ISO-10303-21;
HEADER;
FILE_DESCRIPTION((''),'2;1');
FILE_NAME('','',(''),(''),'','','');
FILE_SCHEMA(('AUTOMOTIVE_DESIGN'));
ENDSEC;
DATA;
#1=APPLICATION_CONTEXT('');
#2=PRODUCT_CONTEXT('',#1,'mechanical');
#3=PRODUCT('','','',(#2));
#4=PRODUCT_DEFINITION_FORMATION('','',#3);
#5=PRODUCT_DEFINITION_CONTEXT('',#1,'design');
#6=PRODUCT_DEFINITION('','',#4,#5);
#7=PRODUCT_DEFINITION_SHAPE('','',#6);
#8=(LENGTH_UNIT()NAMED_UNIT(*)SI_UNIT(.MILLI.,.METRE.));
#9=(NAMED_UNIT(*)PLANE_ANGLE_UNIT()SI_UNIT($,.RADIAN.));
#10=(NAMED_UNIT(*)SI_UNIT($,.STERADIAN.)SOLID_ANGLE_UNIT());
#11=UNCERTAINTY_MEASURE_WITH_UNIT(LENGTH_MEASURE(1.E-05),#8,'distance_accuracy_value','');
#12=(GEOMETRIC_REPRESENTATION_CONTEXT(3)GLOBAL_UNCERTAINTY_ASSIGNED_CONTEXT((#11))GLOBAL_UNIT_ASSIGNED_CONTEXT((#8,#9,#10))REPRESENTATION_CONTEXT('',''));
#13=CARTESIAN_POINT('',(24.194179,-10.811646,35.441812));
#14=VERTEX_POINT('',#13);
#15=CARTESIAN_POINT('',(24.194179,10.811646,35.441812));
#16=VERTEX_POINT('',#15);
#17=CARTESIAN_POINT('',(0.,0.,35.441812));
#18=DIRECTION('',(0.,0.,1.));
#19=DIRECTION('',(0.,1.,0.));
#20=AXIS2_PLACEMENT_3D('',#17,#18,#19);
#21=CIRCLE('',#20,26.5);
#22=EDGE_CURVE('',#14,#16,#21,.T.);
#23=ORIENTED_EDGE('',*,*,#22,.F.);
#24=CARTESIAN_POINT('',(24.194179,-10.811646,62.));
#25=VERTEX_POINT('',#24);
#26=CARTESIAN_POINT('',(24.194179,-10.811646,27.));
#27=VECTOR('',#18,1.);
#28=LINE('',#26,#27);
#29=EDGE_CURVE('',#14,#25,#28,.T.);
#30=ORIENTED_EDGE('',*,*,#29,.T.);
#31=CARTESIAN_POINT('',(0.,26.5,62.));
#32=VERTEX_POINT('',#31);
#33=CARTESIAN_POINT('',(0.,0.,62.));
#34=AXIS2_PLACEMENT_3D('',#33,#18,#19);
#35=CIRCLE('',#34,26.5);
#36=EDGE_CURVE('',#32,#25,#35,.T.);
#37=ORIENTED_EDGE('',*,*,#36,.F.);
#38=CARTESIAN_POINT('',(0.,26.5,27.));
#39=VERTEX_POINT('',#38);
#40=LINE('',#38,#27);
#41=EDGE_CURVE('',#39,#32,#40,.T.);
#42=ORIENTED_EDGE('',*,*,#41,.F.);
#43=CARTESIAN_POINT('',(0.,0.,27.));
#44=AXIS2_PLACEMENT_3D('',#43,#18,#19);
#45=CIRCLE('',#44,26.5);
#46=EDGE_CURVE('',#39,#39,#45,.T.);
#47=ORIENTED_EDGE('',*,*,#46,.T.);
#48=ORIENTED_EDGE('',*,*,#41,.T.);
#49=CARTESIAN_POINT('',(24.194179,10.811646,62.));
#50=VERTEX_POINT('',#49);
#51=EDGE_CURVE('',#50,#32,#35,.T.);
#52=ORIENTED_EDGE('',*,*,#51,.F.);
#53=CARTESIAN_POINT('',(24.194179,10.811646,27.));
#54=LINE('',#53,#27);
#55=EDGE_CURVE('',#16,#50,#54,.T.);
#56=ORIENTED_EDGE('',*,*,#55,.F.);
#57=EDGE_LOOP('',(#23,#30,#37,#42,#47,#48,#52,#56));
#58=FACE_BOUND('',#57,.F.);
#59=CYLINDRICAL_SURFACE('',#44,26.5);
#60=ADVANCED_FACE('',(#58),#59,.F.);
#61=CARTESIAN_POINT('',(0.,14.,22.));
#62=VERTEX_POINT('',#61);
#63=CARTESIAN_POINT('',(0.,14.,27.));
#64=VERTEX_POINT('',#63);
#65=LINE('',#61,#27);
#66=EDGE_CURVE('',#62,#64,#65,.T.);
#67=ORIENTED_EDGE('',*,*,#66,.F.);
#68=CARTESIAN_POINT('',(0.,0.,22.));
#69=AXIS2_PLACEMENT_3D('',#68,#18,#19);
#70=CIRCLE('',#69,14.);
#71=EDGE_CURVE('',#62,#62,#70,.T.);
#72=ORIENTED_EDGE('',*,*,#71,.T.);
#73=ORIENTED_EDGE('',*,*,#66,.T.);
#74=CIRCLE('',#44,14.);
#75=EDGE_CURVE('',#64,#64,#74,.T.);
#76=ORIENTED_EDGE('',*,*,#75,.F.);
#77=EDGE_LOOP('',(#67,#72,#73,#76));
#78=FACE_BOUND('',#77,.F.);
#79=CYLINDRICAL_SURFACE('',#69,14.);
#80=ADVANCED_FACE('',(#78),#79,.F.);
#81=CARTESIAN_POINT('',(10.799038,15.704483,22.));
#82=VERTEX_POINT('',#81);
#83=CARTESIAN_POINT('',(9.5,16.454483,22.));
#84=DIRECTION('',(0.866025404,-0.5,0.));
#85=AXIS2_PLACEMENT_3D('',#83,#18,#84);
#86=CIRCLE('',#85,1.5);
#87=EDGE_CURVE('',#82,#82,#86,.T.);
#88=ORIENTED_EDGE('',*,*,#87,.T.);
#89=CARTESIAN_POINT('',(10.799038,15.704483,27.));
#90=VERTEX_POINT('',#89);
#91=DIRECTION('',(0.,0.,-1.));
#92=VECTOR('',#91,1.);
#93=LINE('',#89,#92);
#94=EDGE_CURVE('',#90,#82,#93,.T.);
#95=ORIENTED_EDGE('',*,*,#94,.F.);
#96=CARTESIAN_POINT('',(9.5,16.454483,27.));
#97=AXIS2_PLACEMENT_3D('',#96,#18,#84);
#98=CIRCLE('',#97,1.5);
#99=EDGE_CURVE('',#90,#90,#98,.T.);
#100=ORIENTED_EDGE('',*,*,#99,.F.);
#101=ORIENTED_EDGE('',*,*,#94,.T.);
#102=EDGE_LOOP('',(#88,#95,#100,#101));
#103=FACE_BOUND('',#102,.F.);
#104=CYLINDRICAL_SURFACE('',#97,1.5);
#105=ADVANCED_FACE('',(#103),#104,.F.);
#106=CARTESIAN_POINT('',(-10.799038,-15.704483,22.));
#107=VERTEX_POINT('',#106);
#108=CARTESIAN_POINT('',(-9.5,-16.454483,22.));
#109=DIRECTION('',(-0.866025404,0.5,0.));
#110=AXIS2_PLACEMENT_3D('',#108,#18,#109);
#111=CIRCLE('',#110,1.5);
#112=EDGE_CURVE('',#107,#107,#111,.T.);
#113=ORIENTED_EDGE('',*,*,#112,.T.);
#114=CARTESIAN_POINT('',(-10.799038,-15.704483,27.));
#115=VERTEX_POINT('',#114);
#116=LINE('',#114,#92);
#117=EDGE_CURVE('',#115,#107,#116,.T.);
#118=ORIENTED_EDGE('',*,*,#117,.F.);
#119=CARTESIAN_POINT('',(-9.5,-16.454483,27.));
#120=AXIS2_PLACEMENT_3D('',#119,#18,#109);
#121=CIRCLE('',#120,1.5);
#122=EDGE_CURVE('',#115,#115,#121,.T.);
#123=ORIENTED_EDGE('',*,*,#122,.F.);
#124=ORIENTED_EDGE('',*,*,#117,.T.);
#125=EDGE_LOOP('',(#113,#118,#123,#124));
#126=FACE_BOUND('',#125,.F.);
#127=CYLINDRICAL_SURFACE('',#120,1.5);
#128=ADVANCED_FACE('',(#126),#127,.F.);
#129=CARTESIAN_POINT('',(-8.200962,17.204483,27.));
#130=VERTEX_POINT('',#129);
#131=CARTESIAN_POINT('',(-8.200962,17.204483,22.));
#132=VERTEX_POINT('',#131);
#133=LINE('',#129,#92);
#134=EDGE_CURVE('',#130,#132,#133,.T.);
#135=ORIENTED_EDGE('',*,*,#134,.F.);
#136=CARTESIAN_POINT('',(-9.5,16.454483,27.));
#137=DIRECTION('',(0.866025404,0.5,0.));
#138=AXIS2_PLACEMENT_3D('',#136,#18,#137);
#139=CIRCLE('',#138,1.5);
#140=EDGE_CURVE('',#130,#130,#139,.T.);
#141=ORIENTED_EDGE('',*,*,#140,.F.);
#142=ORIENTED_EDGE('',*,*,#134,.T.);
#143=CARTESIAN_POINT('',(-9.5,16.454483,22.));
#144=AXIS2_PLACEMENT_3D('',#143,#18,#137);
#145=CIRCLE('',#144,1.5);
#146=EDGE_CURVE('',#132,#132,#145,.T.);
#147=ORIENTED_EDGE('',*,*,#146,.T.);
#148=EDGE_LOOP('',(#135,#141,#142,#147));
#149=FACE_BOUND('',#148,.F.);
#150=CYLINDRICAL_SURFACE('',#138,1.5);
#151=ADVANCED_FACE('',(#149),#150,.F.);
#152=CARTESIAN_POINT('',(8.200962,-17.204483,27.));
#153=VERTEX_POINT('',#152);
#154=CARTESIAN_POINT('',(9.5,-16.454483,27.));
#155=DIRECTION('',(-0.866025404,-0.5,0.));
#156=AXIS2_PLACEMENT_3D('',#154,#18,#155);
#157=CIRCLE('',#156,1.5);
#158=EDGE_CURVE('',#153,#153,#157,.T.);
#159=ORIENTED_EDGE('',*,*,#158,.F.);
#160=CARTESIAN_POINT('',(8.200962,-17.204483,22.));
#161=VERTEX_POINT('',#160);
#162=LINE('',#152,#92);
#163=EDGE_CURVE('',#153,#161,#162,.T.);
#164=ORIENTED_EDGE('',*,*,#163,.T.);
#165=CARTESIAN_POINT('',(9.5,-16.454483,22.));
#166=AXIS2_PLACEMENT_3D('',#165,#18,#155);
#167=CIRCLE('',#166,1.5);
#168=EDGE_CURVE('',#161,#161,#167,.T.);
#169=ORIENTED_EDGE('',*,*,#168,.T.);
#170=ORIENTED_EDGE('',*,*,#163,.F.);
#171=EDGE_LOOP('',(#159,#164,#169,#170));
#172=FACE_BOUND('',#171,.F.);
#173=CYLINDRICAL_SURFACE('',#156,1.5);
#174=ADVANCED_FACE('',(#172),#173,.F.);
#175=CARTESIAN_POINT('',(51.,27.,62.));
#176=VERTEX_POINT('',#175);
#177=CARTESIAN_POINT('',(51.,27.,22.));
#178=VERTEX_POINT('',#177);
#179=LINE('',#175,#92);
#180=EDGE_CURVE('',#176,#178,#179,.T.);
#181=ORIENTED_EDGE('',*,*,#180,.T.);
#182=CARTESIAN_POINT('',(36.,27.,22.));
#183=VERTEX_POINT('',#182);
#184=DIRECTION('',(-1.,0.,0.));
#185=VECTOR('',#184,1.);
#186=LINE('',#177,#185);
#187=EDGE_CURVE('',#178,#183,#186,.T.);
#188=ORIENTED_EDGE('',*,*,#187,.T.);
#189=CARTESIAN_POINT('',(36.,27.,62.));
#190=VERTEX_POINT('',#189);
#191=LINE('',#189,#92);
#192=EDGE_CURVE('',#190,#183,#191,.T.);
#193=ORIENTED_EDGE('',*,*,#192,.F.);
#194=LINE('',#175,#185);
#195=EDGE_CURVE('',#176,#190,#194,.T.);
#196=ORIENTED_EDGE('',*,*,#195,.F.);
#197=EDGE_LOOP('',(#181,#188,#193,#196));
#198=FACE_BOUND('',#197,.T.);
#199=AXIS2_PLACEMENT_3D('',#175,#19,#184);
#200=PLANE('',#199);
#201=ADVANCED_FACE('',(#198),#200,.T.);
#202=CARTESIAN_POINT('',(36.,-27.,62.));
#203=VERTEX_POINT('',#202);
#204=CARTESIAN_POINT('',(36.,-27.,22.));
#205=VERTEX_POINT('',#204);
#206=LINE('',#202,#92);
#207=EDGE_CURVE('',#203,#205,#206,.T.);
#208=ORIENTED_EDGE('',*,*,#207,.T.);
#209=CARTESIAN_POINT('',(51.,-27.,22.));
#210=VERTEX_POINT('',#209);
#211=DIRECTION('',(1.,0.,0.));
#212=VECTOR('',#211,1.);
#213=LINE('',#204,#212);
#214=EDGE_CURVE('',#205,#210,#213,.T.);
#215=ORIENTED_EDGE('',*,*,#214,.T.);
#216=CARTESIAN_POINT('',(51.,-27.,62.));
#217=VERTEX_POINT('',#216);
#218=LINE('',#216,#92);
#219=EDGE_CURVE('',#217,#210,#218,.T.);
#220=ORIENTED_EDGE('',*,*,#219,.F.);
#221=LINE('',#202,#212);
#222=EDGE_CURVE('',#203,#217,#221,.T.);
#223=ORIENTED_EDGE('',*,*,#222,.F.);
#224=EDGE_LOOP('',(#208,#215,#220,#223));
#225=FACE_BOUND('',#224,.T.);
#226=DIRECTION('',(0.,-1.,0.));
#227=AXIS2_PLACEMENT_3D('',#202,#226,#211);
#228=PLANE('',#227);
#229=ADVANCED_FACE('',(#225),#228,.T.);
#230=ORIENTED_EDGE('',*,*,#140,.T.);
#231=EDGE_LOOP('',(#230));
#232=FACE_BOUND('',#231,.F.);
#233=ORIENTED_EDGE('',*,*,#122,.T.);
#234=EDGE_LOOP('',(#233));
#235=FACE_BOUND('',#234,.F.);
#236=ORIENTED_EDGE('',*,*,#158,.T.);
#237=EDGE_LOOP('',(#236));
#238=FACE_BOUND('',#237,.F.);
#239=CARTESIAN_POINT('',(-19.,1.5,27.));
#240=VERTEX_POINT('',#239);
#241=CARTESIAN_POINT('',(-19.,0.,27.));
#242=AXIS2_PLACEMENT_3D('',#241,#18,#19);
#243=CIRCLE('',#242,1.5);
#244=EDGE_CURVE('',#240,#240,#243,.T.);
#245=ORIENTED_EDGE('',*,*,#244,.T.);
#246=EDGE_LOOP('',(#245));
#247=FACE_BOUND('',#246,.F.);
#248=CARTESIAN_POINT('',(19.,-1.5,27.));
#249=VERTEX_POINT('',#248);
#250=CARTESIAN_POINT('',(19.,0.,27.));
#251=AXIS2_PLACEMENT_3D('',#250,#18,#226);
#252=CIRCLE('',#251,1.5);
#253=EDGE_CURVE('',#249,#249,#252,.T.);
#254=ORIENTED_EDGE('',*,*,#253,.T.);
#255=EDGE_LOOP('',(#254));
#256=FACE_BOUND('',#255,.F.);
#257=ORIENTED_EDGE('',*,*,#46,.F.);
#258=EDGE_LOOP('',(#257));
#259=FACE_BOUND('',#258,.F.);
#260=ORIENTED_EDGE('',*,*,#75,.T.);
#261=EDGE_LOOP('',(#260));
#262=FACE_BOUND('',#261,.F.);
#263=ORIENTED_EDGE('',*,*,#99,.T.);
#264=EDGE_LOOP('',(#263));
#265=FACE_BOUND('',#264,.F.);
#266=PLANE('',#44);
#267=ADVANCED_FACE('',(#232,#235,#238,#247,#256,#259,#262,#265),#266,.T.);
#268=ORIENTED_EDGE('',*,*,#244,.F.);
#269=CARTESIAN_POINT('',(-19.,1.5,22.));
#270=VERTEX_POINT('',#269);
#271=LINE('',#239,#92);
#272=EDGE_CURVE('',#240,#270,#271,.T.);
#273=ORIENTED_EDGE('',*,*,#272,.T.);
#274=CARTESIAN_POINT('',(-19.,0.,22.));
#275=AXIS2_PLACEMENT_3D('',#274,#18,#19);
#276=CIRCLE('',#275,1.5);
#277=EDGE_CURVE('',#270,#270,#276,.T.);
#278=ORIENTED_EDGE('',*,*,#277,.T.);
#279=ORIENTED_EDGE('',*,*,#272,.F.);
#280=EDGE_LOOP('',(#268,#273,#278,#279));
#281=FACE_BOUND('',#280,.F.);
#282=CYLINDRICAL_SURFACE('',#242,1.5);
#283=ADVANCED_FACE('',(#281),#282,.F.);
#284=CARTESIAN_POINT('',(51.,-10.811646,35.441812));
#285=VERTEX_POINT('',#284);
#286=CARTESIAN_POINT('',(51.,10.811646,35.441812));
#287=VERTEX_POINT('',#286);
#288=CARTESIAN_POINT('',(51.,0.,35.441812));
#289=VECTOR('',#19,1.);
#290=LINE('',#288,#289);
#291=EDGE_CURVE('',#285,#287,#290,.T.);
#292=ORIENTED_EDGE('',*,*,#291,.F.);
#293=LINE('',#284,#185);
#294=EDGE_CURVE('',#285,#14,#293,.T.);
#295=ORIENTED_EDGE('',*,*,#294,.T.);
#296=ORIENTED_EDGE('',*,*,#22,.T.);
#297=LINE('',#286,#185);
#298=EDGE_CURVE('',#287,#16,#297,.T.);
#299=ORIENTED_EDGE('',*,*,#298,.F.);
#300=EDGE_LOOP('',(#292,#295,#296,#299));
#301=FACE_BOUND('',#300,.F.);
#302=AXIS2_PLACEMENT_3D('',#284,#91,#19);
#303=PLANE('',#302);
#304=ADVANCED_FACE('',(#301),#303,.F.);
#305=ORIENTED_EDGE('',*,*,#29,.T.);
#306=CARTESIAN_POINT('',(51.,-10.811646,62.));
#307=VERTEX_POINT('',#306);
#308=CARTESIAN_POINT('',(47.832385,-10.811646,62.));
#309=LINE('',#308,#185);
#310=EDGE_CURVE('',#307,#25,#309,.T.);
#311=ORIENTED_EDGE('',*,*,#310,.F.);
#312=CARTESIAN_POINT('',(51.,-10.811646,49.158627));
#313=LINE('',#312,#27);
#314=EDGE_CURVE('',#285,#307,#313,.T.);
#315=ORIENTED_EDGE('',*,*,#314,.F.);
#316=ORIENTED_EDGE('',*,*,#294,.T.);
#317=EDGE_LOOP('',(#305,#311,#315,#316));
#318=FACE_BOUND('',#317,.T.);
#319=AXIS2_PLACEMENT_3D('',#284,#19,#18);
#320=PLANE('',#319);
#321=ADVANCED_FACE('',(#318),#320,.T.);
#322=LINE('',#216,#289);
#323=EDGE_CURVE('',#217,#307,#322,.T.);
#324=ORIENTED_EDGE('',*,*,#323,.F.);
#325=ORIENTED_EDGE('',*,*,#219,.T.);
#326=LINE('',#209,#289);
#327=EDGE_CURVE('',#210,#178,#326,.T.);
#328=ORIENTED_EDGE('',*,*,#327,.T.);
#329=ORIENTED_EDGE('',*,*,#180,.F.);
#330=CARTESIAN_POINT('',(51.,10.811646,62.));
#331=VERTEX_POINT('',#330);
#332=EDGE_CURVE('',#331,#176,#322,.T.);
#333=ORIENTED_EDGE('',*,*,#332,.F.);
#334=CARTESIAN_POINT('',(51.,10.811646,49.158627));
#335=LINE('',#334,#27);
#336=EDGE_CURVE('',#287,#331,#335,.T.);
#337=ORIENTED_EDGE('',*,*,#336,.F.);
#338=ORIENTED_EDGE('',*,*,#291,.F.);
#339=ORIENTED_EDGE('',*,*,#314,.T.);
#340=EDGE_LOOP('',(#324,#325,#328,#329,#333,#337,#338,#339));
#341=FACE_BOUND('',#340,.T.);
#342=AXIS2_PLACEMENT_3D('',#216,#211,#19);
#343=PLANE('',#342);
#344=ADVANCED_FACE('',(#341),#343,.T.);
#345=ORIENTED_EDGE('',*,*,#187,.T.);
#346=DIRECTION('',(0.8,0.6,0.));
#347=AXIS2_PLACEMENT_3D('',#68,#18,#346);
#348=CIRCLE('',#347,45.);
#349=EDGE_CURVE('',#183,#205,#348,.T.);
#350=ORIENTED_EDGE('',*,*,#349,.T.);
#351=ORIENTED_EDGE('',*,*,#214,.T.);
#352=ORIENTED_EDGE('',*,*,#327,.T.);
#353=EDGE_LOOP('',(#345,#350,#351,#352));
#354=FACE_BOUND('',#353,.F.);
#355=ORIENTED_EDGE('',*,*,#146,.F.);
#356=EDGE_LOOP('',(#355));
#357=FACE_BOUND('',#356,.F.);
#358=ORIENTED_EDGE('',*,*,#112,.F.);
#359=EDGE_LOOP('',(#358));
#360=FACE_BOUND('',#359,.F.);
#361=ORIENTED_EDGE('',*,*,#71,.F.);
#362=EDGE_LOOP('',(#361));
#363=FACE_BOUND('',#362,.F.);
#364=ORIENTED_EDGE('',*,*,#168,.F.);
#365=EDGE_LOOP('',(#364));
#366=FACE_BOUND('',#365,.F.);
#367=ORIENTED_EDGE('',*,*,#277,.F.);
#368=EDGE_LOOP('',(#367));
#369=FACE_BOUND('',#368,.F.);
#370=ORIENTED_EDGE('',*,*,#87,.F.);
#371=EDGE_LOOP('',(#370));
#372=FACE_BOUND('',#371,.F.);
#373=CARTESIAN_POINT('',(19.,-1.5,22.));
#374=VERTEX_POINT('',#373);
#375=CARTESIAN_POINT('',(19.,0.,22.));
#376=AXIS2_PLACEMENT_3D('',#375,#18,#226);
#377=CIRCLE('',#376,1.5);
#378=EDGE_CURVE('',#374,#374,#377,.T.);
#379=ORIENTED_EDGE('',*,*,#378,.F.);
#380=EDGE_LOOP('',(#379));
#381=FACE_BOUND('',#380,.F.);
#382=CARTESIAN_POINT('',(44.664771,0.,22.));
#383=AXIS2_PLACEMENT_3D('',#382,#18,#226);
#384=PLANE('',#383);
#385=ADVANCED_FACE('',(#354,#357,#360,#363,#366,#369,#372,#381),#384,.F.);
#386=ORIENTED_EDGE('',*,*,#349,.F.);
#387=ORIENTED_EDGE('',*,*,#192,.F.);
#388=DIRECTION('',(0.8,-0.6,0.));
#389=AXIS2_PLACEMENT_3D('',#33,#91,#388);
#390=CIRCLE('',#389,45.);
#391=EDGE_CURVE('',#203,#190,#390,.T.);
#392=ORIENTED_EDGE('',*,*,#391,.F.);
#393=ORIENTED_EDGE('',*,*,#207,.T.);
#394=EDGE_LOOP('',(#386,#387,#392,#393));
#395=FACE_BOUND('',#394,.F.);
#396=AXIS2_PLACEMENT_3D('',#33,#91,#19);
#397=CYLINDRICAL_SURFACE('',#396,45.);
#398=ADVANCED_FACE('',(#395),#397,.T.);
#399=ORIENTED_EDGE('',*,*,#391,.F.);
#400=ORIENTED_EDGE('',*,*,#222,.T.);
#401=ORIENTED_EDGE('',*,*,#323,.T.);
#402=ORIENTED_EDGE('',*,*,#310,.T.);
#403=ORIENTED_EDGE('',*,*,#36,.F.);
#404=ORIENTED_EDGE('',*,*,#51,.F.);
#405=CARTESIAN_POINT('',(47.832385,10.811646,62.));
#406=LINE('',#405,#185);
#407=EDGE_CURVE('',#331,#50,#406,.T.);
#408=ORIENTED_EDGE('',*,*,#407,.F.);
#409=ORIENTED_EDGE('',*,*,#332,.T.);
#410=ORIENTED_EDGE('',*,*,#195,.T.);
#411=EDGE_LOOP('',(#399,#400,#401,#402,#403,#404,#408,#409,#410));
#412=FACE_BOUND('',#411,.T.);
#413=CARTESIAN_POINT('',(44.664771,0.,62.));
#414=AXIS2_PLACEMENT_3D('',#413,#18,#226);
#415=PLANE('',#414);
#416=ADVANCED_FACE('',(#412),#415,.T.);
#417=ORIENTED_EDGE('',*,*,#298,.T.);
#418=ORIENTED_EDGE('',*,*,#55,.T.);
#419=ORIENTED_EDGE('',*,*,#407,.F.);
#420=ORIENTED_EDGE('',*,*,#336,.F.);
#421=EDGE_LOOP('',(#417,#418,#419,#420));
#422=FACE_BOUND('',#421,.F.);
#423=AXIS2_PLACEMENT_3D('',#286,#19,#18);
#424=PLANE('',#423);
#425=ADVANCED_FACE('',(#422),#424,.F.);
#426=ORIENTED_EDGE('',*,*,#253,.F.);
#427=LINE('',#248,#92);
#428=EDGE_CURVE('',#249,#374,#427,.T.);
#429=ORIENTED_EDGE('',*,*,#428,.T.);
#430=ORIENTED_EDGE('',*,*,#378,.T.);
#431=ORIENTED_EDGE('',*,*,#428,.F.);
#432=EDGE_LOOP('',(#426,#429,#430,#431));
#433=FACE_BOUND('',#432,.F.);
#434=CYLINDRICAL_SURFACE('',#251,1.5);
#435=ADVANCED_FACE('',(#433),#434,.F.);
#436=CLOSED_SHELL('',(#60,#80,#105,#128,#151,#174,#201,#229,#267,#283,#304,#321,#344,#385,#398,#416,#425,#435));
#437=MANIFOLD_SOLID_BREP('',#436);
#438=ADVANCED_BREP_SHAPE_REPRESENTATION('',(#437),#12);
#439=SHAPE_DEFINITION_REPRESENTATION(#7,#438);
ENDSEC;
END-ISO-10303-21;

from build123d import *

# Parameters (mm, degrees)
SKETCH014_R             = 1.5
POCKET_DEPTH            = 271.834281
POLARPATTERN_COUNT      = 6
PAD_DEPTH               = 40
SKETCH016_W             = 21.623292
SKETCH016_H             = 27.433631
POCKET001_DEPTH         = 35
BODY003_PLACEMENT_ANGLE = 90


with BuildPart() as part:
    # Sketch → Revolution (revolve)
    with BuildSketch(Plane.XZ):
        Polygon((14, 0), (14, 5), (26.5, 5), (26.5, 40), (45, 40), (45, 0), align=None)
    revolve(axis=Axis((0, 0, 0), (0, 0, 1)))

    # Sketch014 → Pocket (cut, through all)
    with BuildSketch(Plane.XY.offset(5)):
        with Locations((0, 19)):
            Circle(SKETCH014_R)
    pocket = extrude(amount=-POCKET_DEPTH, mode=Mode.SUBTRACT)

    # PolarPattern: Pocket ×6 about axis
    polarpattern_axis = Axis((0, 0, 5), (0, 0, 1))
    for i in range(1, POLARPATTERN_COUNT):
        add(pocket.rotate(polarpattern_axis, i * 360 / POLARPATTERN_COUNT), mode=Mode.SUBTRACT)

    # Sketch015 (on Face12 of PolarPattern) → Pad (join)
    with BuildSketch(Plane(origin=(0, 0, 40), x_dir=(-1, 0, 0), z_dir=(0, 0, 1))):
        with BuildLine():
            Line((-27, 51), (-27, 36))
            ThreePointArc((-21.35998, 39.607465), (-24.247172, 37.908767), (-27, 36))
            Line((-21.35998, 39.607465), (21.35998, 39.607465))
            ThreePointArc((27, 36), (24.247172, 37.908767), (21.35998, 39.607465))
            Line((27, 36), (27, 51))
            Line((27, 51), (-27, 51))
        make_face()
    extrude(amount=-PAD_DEPTH)

    # Sketch016 (on Face2 of Pad) → Pocket001 (cut)
    with BuildSketch(Plane.XZ.offset(51)):
        with Locations((0, 27.158627)):
            Rectangle(SKETCH016_W, SKETCH016_H)
    extrude(amount=-POCKET001_DEPTH, mode=Mode.SUBTRACT)


with BuildPart() as part_1:
    # Body003 placement: moved
    add(part.part.moved(Location((0, 0, 22))).rotate(Axis((0, 0, 22), (0, 0, 1)), BODY003_PLACEMENT_ANGLE))


solid = part_1.part
